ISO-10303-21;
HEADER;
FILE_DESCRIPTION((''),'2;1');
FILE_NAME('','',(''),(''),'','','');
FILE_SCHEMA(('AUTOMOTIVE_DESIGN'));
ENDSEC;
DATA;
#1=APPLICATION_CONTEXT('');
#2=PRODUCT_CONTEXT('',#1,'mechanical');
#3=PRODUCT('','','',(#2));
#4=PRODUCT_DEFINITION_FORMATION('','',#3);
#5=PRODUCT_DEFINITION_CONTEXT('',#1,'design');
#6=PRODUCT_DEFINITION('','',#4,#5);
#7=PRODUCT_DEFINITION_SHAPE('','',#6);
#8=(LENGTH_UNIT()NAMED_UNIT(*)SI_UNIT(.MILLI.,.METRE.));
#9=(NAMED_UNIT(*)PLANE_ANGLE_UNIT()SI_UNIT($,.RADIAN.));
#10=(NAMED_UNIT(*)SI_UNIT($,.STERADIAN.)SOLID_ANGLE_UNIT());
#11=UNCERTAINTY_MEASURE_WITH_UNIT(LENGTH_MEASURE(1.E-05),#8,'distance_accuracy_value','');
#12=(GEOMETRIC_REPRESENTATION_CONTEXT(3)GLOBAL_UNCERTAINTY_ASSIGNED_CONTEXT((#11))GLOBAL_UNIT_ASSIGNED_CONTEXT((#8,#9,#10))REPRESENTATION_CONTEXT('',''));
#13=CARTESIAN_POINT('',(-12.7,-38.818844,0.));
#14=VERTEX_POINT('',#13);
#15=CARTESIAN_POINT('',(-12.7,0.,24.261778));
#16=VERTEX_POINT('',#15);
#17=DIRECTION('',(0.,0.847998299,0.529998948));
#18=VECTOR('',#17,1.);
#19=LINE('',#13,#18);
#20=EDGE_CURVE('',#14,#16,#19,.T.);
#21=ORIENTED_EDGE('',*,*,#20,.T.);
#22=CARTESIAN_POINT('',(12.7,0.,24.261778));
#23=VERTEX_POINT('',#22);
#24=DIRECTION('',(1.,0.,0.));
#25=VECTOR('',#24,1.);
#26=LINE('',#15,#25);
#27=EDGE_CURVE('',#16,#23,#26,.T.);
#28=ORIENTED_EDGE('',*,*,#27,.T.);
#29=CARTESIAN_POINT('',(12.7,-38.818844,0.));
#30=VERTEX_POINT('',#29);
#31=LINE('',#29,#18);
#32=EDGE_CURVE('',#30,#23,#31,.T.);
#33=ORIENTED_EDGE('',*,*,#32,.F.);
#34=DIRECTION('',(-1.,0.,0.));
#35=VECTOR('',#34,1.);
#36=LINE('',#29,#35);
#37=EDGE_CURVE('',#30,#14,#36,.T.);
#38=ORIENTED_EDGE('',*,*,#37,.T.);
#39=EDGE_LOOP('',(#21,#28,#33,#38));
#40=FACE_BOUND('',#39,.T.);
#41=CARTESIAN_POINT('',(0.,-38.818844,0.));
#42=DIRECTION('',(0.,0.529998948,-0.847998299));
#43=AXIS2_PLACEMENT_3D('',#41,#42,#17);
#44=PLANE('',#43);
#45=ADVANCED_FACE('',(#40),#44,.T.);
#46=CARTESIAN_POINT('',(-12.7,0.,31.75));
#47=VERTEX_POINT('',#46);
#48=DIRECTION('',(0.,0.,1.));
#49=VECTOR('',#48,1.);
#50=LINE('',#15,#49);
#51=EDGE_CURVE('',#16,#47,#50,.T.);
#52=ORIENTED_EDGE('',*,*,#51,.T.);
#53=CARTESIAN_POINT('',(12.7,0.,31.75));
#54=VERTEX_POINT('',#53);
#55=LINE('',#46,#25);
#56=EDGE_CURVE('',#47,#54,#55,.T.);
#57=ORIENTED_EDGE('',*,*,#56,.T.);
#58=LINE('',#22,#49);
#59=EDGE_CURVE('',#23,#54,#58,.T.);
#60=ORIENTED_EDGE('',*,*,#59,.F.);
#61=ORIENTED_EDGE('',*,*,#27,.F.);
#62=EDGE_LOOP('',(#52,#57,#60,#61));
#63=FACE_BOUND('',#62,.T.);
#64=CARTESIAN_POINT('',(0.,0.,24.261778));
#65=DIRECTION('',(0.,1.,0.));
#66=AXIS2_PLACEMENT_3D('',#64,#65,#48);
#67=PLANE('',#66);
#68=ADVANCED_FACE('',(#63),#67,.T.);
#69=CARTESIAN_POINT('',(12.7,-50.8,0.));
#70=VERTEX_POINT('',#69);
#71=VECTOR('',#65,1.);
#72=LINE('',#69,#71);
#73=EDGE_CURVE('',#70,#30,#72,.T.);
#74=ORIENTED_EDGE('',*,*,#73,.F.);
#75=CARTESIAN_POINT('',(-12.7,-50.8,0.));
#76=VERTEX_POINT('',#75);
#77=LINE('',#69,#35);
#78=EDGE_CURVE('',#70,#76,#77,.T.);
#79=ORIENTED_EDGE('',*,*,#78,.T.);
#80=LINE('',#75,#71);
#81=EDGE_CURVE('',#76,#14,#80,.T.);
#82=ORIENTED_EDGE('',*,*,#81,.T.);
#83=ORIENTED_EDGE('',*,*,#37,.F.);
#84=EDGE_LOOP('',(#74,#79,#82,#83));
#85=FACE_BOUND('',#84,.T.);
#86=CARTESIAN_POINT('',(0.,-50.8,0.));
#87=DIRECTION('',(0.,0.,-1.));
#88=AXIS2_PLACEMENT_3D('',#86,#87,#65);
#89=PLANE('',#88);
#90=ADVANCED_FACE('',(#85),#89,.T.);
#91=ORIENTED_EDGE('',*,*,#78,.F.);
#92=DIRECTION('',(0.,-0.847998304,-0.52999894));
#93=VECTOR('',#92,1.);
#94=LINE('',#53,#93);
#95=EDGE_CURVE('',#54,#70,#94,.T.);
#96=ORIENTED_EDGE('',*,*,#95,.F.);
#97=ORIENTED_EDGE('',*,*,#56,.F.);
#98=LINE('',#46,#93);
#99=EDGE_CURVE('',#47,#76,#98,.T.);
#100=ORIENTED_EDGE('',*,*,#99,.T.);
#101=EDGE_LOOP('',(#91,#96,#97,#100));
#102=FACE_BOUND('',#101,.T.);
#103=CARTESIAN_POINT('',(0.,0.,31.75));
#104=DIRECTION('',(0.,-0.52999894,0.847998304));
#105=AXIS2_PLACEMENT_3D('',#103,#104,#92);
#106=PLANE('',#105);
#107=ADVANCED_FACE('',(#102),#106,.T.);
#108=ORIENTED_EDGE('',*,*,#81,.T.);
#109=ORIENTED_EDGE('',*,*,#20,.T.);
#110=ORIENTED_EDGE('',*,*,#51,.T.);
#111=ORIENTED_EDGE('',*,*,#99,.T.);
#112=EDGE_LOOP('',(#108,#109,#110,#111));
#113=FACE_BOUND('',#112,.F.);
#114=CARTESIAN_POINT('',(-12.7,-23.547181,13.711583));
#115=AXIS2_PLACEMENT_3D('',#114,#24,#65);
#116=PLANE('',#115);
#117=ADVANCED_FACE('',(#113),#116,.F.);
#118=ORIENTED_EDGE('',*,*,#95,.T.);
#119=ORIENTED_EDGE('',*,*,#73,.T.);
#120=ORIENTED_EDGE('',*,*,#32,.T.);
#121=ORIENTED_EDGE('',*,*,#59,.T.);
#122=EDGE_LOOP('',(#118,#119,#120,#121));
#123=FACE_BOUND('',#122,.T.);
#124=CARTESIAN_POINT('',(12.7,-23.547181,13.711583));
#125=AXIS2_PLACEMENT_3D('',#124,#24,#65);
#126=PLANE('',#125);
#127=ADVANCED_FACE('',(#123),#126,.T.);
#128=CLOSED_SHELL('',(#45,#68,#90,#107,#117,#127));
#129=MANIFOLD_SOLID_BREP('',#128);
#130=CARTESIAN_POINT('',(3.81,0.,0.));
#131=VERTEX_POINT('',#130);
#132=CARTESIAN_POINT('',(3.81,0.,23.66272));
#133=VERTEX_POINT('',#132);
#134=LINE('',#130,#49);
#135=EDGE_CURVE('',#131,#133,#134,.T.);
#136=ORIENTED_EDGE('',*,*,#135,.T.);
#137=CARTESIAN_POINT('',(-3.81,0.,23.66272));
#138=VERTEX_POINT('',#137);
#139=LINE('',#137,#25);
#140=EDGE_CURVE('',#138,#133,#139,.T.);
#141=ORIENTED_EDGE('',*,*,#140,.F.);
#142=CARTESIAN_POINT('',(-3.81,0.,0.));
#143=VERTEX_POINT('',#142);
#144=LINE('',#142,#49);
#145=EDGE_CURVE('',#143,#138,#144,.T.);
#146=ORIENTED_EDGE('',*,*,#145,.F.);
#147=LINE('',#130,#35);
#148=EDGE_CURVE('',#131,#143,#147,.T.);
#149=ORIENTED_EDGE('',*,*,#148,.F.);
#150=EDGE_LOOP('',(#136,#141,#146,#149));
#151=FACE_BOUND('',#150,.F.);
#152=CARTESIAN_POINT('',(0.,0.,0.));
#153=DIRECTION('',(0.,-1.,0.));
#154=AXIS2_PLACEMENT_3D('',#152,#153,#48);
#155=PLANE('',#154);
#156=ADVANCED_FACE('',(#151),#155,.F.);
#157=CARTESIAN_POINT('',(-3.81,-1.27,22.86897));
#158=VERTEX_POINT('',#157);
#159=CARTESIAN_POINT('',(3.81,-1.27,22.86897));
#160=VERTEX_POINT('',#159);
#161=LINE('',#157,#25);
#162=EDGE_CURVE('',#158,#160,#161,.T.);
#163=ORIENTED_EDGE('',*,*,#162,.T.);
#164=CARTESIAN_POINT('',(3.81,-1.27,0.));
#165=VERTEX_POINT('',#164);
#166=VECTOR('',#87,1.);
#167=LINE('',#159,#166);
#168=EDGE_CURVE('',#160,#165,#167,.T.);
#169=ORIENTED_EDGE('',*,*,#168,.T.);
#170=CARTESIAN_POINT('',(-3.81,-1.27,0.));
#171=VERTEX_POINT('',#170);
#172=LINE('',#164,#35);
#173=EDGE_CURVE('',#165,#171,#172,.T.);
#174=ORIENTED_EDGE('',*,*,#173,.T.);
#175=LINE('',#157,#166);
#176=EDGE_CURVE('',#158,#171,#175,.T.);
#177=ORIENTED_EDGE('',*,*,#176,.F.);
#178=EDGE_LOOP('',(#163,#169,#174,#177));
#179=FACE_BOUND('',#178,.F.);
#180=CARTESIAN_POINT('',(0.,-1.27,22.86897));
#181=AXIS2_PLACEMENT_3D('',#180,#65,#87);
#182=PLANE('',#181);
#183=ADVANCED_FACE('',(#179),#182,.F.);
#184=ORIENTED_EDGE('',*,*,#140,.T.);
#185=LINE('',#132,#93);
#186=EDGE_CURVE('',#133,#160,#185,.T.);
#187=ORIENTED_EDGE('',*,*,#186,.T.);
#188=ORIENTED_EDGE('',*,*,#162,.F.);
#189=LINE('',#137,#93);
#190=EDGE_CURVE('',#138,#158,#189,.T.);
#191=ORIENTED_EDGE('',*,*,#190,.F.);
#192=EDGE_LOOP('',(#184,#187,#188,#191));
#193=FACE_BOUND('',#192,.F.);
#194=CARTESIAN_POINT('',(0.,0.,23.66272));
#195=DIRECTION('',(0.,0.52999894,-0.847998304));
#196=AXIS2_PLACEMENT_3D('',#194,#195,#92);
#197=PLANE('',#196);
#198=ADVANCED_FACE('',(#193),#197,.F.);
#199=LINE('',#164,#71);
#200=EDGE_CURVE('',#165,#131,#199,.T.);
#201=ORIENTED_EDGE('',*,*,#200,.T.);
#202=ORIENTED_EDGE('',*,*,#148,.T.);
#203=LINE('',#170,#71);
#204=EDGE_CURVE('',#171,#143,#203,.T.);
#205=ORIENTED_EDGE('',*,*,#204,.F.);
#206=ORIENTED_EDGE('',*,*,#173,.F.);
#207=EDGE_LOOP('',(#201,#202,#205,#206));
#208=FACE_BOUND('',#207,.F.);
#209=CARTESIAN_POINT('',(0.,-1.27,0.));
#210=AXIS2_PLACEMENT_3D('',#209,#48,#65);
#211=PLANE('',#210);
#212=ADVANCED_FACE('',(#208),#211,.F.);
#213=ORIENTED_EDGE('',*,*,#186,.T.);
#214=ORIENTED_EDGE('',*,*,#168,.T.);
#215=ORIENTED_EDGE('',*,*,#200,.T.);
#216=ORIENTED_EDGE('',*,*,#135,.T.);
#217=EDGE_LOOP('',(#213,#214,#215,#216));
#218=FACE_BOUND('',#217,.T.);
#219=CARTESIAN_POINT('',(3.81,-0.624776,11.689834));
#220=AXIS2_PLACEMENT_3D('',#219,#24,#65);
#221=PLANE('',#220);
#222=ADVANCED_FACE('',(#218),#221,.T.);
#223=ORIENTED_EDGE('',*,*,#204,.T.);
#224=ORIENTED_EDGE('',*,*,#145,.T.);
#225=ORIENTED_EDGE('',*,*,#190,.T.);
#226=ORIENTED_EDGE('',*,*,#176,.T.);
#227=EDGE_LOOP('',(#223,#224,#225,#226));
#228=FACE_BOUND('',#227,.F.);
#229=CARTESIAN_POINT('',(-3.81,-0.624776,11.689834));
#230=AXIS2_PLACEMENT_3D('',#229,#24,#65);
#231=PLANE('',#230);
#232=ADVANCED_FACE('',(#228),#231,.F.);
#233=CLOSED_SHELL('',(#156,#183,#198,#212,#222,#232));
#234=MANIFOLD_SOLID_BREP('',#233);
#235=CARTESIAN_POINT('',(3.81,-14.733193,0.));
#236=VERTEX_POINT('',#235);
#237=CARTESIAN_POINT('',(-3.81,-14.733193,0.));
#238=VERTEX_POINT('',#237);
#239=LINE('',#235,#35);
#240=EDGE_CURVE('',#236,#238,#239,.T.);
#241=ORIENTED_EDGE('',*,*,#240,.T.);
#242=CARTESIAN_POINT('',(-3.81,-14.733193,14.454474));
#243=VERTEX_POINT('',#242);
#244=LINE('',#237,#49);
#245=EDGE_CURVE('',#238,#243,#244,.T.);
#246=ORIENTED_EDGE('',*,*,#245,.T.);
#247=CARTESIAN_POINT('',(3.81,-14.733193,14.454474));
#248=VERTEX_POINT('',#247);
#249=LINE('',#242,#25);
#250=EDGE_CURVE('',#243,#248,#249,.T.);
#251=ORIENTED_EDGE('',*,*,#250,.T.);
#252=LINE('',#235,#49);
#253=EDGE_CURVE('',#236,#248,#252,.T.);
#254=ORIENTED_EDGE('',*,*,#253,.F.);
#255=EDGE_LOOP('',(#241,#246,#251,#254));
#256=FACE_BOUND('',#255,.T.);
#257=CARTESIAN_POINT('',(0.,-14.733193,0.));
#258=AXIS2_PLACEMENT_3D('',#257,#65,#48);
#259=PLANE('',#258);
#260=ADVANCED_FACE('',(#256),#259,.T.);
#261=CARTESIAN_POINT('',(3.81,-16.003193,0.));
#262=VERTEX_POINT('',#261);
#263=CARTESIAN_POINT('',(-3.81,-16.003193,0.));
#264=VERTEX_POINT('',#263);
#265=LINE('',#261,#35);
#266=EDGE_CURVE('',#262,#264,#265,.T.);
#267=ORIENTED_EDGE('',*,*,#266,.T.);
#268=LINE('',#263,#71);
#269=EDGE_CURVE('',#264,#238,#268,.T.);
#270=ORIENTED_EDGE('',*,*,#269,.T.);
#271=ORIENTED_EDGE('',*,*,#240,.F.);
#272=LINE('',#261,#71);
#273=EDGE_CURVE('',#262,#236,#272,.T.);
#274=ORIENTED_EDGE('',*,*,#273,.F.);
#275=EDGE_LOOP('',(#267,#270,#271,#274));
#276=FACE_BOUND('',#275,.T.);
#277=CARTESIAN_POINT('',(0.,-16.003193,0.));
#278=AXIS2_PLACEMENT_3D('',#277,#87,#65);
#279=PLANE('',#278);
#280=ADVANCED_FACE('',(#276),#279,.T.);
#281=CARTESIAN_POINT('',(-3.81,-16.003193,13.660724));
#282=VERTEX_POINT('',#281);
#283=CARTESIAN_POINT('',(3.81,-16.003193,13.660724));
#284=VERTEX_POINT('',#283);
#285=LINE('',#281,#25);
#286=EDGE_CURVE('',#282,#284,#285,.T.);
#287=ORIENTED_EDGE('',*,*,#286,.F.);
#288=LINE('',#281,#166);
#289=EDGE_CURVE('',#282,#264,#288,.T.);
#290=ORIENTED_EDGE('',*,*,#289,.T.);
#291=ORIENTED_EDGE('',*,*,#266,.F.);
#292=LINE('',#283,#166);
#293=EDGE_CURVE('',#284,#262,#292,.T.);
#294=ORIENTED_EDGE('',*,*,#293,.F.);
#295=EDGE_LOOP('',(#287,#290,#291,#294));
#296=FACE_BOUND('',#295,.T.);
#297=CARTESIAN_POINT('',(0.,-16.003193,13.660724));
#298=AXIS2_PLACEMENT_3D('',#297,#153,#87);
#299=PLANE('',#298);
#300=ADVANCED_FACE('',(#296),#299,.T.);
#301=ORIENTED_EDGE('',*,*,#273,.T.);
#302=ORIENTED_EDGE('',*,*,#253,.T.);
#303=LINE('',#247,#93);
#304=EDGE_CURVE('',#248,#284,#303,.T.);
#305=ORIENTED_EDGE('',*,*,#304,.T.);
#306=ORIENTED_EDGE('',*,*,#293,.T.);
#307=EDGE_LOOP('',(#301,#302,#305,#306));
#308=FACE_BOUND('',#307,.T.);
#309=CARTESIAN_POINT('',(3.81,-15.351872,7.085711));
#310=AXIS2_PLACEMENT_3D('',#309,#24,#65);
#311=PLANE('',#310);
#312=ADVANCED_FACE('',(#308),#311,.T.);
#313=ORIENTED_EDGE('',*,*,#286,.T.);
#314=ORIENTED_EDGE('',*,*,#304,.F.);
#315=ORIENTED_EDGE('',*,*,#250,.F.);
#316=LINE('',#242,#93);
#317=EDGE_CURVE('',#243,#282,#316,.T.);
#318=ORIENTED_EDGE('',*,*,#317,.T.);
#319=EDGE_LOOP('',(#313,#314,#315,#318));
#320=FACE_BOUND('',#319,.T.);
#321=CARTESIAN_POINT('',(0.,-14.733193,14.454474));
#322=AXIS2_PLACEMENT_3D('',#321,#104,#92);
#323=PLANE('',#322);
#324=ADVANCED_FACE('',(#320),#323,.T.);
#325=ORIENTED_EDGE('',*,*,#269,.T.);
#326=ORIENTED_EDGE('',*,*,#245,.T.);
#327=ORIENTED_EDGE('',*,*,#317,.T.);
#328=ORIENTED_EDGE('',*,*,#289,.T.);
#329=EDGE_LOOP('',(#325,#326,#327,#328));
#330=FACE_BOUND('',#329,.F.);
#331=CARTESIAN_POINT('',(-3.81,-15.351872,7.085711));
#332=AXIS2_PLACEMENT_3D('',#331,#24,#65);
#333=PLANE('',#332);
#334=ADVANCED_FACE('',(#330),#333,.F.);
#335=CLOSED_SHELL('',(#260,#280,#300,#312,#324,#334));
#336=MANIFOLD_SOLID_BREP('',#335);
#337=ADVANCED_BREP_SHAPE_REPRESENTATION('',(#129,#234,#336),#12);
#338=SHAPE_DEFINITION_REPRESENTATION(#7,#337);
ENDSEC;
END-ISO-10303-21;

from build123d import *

# Parameters (mm, degrees)
F2_DEPTH = 12.7
F3_DEPTH = 3.81


with BuildPart() as f2:
    # F0 (on Right) → F2 (new body, symmetric)
    with BuildSketch(Plane.YZ):
        Polygon((-38.818844, 0), (0, 24.261778), (0, 31.75), (-50.8, 0), align=None)
    extrude(amount=F2_DEPTH, both=True)


with BuildPart() as f3:
    # F1 (on Right) → F3 (new body, symmetric)
    with BuildSketch(Plane.YZ):
        Polygon((0, 0), (0, 23.66272), (-1.27, 22.86897), (-1.27, 0), align=None)
        Polygon((-14.733193, 0), (-14.733193, 14.454474), (-16.003193, 13.660724), (-16.003193, 0), align=None)
    extrude(amount=F3_DEPTH, both=True)


solid = Compound([f2.part, f3.part])
